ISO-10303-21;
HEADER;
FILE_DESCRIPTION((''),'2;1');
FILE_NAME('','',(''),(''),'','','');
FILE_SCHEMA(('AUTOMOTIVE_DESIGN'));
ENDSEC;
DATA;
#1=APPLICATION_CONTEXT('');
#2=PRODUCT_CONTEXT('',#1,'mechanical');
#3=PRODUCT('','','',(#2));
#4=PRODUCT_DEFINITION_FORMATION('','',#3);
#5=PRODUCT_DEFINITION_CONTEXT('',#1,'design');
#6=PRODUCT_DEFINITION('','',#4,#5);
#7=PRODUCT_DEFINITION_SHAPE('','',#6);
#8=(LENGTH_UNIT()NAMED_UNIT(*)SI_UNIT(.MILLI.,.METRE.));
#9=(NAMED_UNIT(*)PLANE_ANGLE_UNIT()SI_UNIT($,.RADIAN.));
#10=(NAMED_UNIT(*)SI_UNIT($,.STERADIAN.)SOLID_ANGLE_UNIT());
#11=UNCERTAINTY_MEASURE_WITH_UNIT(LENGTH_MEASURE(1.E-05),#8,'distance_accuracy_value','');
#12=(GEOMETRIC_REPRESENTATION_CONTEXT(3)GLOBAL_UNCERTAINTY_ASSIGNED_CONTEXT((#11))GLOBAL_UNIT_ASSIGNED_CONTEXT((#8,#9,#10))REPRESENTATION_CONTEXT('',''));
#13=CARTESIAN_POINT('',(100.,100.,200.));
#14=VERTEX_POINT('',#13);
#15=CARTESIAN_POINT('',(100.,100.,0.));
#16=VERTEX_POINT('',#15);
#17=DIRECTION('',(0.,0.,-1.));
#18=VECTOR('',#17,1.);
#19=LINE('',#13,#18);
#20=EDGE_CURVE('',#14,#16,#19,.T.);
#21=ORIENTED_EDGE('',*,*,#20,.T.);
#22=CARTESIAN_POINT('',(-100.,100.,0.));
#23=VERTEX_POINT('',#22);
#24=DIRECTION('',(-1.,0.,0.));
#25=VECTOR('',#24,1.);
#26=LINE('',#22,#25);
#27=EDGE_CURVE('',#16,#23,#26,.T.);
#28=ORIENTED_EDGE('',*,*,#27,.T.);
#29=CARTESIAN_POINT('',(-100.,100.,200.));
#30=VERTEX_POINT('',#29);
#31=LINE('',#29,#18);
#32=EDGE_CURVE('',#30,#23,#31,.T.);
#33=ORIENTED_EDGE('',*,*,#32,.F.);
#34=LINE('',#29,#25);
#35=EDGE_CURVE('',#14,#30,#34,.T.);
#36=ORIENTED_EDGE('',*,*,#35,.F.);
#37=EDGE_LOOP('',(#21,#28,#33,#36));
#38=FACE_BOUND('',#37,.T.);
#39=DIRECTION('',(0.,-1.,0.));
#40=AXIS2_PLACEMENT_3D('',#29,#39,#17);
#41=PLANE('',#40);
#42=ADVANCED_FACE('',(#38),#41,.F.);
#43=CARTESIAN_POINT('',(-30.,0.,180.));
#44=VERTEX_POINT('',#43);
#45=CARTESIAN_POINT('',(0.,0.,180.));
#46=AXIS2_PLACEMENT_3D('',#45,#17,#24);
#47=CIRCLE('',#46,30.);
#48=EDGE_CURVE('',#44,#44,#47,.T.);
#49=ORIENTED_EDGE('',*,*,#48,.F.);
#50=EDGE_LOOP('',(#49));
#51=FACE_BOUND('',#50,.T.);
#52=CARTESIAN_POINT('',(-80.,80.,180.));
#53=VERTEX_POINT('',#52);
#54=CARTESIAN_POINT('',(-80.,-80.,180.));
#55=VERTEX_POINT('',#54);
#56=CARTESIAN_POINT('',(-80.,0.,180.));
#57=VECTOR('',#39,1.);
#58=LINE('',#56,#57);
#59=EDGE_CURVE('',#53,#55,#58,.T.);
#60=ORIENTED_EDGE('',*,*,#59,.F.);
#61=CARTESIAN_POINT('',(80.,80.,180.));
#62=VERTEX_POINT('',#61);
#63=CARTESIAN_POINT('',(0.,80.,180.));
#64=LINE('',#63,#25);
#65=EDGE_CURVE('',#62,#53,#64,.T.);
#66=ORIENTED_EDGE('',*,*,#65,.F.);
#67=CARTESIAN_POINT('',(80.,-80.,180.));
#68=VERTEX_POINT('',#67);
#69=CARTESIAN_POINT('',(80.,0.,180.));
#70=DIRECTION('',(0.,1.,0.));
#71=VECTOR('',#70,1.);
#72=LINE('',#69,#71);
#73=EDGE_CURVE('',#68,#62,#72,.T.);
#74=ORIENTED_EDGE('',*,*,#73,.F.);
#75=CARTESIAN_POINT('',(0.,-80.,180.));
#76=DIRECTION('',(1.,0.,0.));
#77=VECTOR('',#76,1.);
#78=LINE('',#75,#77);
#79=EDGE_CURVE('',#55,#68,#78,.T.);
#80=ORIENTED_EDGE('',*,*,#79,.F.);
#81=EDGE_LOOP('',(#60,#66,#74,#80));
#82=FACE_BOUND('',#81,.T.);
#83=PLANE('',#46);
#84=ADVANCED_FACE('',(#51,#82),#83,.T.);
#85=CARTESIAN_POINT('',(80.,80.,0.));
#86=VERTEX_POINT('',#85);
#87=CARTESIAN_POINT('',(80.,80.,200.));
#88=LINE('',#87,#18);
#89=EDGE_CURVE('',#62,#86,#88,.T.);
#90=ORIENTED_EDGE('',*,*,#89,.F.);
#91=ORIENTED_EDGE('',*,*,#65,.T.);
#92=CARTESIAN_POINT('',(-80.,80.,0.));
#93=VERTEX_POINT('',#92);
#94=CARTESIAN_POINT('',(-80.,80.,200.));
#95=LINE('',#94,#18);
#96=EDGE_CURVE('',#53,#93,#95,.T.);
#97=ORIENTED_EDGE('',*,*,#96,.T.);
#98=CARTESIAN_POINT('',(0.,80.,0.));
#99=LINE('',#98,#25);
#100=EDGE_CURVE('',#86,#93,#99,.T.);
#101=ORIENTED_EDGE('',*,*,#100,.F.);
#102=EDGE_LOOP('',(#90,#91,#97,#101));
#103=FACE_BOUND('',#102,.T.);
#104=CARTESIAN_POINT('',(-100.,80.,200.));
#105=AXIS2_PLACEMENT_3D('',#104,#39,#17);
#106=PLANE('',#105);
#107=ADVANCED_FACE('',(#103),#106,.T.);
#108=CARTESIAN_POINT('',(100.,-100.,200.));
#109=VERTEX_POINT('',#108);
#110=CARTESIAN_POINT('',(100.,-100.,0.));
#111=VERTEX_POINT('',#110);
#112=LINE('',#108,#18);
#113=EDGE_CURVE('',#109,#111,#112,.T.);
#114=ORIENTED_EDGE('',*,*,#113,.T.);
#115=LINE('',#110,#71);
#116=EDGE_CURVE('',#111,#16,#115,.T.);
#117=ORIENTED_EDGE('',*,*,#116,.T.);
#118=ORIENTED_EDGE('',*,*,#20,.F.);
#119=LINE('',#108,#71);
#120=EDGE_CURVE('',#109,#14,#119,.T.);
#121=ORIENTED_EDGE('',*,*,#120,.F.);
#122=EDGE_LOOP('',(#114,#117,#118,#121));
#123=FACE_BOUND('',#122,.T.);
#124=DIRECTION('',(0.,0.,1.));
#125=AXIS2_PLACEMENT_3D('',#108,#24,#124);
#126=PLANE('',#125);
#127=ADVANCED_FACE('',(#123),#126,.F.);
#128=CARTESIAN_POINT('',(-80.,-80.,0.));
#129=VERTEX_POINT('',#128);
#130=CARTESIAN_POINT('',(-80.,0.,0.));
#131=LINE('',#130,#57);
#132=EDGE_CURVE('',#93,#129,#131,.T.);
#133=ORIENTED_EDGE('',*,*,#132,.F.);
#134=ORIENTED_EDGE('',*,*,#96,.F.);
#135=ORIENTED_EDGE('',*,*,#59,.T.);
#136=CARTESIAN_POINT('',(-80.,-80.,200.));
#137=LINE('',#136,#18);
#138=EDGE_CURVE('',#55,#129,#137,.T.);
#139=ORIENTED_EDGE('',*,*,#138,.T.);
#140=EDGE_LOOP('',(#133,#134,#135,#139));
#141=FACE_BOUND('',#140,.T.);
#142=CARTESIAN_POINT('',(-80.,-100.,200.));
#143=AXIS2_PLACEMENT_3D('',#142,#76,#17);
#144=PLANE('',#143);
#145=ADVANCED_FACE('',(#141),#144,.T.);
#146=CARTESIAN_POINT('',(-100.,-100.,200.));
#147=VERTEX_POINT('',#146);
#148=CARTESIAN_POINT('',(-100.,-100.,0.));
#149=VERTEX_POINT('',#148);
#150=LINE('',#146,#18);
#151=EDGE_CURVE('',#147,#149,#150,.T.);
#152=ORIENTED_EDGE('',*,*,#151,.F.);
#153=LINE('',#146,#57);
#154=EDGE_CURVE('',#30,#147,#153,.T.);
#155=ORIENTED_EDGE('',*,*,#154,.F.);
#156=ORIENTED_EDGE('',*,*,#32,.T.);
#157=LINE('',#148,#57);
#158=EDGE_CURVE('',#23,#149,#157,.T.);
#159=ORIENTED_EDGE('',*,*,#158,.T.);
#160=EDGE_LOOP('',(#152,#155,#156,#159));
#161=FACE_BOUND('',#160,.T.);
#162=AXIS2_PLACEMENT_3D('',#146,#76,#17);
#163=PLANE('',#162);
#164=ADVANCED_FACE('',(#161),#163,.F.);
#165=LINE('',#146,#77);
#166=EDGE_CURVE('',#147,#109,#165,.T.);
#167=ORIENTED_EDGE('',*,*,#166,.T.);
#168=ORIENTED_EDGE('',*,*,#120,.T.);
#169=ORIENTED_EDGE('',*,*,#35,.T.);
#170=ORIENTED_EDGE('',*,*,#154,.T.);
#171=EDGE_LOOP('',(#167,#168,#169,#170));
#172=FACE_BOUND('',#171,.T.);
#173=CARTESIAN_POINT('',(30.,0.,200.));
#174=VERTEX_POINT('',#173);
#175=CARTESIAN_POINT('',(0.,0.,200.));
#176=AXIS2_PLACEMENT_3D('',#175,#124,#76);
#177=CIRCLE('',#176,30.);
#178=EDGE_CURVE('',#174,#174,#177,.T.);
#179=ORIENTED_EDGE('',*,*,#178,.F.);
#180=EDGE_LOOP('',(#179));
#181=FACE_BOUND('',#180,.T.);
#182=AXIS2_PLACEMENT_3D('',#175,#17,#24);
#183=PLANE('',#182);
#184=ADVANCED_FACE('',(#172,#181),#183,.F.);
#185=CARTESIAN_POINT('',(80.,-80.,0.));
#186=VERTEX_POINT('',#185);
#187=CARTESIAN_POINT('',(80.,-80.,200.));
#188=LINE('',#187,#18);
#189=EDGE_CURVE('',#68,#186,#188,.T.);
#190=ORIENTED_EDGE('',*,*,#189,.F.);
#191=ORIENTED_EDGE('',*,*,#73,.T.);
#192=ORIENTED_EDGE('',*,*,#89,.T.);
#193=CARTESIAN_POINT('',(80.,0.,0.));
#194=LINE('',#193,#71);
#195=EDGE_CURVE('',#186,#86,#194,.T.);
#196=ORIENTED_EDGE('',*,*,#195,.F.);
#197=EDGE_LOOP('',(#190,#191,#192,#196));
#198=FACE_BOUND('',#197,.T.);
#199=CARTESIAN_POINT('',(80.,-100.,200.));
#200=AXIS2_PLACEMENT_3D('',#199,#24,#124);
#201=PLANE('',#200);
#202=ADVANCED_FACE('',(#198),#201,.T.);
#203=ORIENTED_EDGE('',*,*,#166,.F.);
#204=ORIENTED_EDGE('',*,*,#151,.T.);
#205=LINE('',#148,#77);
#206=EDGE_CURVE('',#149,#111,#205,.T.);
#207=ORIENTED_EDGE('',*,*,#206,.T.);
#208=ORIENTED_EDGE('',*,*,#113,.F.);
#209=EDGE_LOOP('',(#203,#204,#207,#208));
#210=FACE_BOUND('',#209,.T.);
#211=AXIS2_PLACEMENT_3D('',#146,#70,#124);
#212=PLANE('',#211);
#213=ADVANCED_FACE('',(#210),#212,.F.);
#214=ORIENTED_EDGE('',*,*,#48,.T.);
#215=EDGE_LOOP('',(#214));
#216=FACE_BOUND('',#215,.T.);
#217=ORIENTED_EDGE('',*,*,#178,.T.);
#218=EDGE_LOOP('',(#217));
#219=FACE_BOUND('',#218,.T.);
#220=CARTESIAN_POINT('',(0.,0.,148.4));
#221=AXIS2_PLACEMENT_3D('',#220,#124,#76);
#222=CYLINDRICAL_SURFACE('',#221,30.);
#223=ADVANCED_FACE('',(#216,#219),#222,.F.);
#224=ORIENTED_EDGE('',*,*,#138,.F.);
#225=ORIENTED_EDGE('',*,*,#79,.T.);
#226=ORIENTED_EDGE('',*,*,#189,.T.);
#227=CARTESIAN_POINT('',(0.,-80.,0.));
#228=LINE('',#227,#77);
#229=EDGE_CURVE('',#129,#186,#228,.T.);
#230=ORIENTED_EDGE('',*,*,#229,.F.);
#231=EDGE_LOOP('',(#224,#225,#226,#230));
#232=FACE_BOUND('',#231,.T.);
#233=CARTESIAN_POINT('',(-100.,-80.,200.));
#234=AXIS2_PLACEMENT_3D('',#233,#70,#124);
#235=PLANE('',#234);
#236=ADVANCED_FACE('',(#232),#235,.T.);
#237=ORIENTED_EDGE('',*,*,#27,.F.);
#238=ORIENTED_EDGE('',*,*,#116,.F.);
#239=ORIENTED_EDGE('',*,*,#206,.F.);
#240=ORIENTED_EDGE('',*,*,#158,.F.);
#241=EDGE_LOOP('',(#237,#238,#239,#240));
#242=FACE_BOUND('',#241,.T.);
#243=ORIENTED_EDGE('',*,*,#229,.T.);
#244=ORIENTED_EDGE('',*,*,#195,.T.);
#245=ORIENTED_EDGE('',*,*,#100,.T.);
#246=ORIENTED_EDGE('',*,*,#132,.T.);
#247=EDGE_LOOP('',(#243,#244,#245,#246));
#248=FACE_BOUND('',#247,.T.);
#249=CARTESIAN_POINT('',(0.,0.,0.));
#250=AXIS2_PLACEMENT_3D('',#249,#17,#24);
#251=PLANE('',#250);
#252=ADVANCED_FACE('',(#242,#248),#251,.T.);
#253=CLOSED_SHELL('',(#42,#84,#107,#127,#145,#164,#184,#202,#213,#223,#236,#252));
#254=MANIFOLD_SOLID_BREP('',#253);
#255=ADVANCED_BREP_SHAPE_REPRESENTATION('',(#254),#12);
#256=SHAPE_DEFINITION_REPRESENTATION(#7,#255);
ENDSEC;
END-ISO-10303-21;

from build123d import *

# Parameters (mm, degrees)
SKETCH5_W           = 200
SKETCH5_H           = 200
BOSS_EXTRUDE2_DEPTH = 200
SHELL2_T            = -20
SKETCH6_R           = 30
CUT_EXTRUDE2_DEPTH  = 51.6


with BuildPart() as part:
    # Sketch5 → Boss-Extrude2 (new body)
    with BuildSketch(Plane.XY):
        Rectangle(SKETCH5_W, SKETCH5_H)
    extrude(amount=BOSS_EXTRUDE2_DEPTH)

    # Shell2
    shell2_openings = [part.faces().sort_by_distance(p)[0] for p in [
        (0, 0, 0),
    ]]
    offset(amount=SHELL2_T, openings=shell2_openings, kind=Kind.INTERSECTION)

    # Sketch6 → Cut-Extrude2 (cut)
    with BuildSketch(Plane.XY.offset(200)):
        Circle(SKETCH6_R)
    extrude(amount=-CUT_EXTRUDE2_DEPTH, mode=Mode.SUBTRACT)


solid = part.part
